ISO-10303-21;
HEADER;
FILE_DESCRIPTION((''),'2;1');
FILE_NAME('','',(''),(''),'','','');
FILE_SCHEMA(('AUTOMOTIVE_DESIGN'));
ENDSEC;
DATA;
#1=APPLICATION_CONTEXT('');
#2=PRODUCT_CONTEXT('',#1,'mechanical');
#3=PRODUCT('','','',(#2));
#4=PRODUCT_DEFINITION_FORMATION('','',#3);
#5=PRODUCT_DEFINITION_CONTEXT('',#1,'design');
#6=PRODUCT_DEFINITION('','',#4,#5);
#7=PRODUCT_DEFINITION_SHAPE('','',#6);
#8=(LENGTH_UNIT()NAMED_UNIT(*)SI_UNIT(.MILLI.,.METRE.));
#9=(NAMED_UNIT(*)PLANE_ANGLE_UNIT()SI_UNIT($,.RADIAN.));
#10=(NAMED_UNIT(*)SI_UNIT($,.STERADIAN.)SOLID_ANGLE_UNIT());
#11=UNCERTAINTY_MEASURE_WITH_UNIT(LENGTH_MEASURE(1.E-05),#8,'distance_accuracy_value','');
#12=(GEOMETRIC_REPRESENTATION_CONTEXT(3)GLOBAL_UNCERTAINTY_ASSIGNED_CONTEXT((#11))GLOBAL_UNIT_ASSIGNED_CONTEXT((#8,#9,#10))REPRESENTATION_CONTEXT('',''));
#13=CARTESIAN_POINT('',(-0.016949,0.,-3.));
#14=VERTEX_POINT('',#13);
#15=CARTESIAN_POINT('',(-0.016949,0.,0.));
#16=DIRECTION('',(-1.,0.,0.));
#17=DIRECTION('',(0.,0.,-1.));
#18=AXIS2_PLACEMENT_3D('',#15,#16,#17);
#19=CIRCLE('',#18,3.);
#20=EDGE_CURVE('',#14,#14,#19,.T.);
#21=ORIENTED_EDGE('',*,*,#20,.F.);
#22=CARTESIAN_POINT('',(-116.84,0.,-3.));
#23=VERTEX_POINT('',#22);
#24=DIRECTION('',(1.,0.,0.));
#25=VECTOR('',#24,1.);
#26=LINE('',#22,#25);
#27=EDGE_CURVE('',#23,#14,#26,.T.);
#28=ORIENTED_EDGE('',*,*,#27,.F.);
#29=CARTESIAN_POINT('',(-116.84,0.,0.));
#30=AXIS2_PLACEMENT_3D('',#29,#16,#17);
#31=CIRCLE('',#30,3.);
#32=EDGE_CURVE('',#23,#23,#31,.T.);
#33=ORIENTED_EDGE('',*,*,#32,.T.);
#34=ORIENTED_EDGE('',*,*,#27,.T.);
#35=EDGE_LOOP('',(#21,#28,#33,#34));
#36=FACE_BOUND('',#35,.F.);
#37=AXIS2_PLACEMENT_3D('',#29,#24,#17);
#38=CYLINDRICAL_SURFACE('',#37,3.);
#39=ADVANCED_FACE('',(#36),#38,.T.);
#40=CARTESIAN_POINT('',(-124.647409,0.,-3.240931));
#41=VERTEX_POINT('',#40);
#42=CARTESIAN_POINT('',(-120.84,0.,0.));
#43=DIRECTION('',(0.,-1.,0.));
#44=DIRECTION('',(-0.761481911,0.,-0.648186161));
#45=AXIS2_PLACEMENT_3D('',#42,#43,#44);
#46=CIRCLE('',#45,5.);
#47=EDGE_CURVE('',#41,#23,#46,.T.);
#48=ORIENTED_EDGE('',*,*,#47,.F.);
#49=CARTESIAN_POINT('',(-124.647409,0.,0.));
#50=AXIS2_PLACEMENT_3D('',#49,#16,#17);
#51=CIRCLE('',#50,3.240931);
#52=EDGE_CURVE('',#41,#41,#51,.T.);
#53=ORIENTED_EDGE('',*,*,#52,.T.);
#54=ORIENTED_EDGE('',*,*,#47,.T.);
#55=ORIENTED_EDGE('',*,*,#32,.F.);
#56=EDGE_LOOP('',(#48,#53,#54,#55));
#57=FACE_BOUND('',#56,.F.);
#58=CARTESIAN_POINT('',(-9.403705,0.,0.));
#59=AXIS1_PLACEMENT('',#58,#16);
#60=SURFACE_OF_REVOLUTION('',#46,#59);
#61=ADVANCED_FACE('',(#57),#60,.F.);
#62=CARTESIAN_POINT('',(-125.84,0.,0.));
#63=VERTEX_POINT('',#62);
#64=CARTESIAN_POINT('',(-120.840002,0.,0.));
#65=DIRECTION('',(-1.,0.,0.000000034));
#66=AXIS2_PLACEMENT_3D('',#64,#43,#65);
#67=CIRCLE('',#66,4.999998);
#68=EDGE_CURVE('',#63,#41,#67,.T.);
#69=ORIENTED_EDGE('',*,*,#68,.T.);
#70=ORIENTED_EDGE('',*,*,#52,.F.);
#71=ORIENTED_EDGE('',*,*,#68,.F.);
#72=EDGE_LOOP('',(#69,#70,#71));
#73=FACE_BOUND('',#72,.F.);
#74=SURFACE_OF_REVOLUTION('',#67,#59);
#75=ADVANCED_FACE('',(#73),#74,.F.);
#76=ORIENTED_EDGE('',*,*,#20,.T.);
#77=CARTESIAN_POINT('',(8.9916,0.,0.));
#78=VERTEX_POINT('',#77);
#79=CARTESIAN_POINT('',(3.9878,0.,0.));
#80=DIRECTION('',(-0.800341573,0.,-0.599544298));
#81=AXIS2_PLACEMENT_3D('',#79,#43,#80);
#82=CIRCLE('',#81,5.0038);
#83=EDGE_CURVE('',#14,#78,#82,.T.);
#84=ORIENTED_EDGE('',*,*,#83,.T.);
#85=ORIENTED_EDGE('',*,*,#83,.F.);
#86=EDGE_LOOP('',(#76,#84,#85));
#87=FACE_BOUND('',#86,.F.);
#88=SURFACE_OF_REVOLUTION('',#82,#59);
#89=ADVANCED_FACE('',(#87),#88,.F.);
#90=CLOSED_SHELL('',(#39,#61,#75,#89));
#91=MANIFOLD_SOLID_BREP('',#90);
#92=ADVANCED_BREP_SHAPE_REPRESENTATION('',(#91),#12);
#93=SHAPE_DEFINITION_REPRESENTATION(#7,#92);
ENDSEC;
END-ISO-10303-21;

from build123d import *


with BuildPart() as f1:
    # F0 (on Front) → F1 (revolve)
    with BuildSketch(Plane.XZ):
        with BuildLine():
            Line((0, -3), (0, 0))
            Line((0, 0), (-18.807409, 0))
            Line((-18.807409, 0), (-125.84, 0))
            ThreePointArc((-125.84, 0), (-125.53239, -1.726695), (-124.647409, -3.240931))
            ThreePointArc((-124.647409, -3.240931), (-120.685777, -4.997621), (-116.84, -3))
            Line((-116.84, -3), (-0.016949, -3))
            Line((-0.016949, -3), (0, -3))
        make_face()
        with BuildLine():
            Line((8.9916, 0), (0, 0))
            Line((0, 0), (0, -3))
            Line((0, -3), (-0.016949, -3))
            ThreePointArc((-0.016949, -3), (5.568789, -4.747472), (8.9916, 0))
        make_face()
    revolve(axis=Axis((-9.403705, 0, 0), (-1, 0, 0)))


solid = f1.part
